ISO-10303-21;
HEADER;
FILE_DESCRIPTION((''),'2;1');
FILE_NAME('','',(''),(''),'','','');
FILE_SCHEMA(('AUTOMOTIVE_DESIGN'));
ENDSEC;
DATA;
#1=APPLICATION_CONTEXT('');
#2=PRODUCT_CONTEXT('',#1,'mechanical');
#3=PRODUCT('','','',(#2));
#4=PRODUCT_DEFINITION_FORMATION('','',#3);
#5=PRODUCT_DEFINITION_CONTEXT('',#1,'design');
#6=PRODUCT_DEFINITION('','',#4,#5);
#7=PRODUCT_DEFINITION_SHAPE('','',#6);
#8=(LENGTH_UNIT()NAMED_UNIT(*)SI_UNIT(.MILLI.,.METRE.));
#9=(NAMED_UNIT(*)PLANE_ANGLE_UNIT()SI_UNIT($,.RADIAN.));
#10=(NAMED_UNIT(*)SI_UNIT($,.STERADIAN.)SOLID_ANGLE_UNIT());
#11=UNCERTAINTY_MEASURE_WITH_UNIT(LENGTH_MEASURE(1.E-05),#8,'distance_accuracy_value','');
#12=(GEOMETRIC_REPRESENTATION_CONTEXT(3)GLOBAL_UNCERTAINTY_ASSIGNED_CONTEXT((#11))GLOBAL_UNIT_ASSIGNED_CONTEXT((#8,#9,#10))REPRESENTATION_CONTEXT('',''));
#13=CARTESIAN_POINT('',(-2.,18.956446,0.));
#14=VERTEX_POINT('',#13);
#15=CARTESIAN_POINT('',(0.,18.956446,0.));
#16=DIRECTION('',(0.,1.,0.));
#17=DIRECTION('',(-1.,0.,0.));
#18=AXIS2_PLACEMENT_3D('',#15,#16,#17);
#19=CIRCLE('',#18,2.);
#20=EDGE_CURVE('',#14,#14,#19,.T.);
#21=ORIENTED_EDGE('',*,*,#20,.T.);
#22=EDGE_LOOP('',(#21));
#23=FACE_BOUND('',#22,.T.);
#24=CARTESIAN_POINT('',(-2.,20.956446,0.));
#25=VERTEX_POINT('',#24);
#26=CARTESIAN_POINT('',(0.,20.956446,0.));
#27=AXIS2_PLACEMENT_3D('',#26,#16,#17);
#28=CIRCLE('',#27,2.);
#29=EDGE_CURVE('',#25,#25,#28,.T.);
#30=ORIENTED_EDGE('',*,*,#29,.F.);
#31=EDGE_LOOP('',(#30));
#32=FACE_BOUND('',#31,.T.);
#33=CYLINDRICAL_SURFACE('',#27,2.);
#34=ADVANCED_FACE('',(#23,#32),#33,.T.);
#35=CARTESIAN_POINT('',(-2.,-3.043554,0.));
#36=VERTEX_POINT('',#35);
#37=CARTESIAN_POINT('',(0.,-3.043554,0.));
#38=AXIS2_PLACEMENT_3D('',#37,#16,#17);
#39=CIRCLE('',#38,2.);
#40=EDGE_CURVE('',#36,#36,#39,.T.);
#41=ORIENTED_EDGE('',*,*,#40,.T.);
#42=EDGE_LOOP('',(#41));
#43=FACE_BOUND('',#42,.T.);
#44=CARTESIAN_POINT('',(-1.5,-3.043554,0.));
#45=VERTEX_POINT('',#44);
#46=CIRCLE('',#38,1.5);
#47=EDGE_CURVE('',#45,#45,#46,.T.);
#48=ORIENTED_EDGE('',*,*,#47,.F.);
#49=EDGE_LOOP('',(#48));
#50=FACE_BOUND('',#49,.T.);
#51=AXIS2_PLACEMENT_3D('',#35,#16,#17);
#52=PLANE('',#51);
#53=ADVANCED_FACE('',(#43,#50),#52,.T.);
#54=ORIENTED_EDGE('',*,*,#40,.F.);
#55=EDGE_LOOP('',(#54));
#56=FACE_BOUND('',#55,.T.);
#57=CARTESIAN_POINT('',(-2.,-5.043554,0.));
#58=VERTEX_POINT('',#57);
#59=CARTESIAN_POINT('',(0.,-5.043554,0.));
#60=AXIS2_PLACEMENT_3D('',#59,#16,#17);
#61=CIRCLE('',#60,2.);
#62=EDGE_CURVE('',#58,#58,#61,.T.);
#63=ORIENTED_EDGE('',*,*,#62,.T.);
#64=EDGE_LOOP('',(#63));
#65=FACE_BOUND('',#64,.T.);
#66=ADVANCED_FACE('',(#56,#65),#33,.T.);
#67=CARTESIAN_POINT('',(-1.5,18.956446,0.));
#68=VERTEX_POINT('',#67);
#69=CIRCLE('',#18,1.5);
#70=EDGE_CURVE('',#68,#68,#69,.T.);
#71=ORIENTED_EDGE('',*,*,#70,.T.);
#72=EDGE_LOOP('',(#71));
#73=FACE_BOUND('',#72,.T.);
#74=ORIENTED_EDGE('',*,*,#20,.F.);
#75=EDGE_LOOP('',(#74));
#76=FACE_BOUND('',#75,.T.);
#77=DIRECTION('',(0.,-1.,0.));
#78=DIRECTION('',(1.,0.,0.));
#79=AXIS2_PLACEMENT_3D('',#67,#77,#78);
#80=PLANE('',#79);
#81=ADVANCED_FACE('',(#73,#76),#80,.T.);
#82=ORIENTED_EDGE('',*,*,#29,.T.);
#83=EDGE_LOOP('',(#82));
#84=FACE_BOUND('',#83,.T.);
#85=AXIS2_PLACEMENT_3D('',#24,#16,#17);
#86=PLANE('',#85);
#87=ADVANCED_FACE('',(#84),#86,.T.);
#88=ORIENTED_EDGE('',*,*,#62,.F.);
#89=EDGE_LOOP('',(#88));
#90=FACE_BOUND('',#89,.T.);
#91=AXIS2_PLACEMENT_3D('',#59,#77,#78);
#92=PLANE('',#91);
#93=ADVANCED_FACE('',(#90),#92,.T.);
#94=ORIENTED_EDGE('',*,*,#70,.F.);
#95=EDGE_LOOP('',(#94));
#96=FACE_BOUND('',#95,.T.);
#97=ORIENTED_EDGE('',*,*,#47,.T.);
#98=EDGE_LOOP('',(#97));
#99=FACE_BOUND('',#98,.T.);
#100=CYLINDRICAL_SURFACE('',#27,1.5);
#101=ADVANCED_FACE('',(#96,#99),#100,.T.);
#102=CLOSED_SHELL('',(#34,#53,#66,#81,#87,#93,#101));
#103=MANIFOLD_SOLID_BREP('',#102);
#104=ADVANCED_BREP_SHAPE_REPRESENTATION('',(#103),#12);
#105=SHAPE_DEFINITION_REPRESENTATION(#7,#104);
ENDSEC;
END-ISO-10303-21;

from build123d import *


with BuildPart() as part:
    # Sketch1 → Revolve1 (revolve)
    with BuildSketch(Plane.XY):
        Polygon((0, 20.95644578), (0, -5.04355422), (-2, -5.04355422), (-2, -3.04355422), (-1.5, -3.04355422), (-1.5, 18.95644578), (-2, 18.95644578), (-2, 20.95644578), align=None)
    revolve(axis=Axis((0, 20.95644578, 0), (0, -1, 0)))


solid = part.part
